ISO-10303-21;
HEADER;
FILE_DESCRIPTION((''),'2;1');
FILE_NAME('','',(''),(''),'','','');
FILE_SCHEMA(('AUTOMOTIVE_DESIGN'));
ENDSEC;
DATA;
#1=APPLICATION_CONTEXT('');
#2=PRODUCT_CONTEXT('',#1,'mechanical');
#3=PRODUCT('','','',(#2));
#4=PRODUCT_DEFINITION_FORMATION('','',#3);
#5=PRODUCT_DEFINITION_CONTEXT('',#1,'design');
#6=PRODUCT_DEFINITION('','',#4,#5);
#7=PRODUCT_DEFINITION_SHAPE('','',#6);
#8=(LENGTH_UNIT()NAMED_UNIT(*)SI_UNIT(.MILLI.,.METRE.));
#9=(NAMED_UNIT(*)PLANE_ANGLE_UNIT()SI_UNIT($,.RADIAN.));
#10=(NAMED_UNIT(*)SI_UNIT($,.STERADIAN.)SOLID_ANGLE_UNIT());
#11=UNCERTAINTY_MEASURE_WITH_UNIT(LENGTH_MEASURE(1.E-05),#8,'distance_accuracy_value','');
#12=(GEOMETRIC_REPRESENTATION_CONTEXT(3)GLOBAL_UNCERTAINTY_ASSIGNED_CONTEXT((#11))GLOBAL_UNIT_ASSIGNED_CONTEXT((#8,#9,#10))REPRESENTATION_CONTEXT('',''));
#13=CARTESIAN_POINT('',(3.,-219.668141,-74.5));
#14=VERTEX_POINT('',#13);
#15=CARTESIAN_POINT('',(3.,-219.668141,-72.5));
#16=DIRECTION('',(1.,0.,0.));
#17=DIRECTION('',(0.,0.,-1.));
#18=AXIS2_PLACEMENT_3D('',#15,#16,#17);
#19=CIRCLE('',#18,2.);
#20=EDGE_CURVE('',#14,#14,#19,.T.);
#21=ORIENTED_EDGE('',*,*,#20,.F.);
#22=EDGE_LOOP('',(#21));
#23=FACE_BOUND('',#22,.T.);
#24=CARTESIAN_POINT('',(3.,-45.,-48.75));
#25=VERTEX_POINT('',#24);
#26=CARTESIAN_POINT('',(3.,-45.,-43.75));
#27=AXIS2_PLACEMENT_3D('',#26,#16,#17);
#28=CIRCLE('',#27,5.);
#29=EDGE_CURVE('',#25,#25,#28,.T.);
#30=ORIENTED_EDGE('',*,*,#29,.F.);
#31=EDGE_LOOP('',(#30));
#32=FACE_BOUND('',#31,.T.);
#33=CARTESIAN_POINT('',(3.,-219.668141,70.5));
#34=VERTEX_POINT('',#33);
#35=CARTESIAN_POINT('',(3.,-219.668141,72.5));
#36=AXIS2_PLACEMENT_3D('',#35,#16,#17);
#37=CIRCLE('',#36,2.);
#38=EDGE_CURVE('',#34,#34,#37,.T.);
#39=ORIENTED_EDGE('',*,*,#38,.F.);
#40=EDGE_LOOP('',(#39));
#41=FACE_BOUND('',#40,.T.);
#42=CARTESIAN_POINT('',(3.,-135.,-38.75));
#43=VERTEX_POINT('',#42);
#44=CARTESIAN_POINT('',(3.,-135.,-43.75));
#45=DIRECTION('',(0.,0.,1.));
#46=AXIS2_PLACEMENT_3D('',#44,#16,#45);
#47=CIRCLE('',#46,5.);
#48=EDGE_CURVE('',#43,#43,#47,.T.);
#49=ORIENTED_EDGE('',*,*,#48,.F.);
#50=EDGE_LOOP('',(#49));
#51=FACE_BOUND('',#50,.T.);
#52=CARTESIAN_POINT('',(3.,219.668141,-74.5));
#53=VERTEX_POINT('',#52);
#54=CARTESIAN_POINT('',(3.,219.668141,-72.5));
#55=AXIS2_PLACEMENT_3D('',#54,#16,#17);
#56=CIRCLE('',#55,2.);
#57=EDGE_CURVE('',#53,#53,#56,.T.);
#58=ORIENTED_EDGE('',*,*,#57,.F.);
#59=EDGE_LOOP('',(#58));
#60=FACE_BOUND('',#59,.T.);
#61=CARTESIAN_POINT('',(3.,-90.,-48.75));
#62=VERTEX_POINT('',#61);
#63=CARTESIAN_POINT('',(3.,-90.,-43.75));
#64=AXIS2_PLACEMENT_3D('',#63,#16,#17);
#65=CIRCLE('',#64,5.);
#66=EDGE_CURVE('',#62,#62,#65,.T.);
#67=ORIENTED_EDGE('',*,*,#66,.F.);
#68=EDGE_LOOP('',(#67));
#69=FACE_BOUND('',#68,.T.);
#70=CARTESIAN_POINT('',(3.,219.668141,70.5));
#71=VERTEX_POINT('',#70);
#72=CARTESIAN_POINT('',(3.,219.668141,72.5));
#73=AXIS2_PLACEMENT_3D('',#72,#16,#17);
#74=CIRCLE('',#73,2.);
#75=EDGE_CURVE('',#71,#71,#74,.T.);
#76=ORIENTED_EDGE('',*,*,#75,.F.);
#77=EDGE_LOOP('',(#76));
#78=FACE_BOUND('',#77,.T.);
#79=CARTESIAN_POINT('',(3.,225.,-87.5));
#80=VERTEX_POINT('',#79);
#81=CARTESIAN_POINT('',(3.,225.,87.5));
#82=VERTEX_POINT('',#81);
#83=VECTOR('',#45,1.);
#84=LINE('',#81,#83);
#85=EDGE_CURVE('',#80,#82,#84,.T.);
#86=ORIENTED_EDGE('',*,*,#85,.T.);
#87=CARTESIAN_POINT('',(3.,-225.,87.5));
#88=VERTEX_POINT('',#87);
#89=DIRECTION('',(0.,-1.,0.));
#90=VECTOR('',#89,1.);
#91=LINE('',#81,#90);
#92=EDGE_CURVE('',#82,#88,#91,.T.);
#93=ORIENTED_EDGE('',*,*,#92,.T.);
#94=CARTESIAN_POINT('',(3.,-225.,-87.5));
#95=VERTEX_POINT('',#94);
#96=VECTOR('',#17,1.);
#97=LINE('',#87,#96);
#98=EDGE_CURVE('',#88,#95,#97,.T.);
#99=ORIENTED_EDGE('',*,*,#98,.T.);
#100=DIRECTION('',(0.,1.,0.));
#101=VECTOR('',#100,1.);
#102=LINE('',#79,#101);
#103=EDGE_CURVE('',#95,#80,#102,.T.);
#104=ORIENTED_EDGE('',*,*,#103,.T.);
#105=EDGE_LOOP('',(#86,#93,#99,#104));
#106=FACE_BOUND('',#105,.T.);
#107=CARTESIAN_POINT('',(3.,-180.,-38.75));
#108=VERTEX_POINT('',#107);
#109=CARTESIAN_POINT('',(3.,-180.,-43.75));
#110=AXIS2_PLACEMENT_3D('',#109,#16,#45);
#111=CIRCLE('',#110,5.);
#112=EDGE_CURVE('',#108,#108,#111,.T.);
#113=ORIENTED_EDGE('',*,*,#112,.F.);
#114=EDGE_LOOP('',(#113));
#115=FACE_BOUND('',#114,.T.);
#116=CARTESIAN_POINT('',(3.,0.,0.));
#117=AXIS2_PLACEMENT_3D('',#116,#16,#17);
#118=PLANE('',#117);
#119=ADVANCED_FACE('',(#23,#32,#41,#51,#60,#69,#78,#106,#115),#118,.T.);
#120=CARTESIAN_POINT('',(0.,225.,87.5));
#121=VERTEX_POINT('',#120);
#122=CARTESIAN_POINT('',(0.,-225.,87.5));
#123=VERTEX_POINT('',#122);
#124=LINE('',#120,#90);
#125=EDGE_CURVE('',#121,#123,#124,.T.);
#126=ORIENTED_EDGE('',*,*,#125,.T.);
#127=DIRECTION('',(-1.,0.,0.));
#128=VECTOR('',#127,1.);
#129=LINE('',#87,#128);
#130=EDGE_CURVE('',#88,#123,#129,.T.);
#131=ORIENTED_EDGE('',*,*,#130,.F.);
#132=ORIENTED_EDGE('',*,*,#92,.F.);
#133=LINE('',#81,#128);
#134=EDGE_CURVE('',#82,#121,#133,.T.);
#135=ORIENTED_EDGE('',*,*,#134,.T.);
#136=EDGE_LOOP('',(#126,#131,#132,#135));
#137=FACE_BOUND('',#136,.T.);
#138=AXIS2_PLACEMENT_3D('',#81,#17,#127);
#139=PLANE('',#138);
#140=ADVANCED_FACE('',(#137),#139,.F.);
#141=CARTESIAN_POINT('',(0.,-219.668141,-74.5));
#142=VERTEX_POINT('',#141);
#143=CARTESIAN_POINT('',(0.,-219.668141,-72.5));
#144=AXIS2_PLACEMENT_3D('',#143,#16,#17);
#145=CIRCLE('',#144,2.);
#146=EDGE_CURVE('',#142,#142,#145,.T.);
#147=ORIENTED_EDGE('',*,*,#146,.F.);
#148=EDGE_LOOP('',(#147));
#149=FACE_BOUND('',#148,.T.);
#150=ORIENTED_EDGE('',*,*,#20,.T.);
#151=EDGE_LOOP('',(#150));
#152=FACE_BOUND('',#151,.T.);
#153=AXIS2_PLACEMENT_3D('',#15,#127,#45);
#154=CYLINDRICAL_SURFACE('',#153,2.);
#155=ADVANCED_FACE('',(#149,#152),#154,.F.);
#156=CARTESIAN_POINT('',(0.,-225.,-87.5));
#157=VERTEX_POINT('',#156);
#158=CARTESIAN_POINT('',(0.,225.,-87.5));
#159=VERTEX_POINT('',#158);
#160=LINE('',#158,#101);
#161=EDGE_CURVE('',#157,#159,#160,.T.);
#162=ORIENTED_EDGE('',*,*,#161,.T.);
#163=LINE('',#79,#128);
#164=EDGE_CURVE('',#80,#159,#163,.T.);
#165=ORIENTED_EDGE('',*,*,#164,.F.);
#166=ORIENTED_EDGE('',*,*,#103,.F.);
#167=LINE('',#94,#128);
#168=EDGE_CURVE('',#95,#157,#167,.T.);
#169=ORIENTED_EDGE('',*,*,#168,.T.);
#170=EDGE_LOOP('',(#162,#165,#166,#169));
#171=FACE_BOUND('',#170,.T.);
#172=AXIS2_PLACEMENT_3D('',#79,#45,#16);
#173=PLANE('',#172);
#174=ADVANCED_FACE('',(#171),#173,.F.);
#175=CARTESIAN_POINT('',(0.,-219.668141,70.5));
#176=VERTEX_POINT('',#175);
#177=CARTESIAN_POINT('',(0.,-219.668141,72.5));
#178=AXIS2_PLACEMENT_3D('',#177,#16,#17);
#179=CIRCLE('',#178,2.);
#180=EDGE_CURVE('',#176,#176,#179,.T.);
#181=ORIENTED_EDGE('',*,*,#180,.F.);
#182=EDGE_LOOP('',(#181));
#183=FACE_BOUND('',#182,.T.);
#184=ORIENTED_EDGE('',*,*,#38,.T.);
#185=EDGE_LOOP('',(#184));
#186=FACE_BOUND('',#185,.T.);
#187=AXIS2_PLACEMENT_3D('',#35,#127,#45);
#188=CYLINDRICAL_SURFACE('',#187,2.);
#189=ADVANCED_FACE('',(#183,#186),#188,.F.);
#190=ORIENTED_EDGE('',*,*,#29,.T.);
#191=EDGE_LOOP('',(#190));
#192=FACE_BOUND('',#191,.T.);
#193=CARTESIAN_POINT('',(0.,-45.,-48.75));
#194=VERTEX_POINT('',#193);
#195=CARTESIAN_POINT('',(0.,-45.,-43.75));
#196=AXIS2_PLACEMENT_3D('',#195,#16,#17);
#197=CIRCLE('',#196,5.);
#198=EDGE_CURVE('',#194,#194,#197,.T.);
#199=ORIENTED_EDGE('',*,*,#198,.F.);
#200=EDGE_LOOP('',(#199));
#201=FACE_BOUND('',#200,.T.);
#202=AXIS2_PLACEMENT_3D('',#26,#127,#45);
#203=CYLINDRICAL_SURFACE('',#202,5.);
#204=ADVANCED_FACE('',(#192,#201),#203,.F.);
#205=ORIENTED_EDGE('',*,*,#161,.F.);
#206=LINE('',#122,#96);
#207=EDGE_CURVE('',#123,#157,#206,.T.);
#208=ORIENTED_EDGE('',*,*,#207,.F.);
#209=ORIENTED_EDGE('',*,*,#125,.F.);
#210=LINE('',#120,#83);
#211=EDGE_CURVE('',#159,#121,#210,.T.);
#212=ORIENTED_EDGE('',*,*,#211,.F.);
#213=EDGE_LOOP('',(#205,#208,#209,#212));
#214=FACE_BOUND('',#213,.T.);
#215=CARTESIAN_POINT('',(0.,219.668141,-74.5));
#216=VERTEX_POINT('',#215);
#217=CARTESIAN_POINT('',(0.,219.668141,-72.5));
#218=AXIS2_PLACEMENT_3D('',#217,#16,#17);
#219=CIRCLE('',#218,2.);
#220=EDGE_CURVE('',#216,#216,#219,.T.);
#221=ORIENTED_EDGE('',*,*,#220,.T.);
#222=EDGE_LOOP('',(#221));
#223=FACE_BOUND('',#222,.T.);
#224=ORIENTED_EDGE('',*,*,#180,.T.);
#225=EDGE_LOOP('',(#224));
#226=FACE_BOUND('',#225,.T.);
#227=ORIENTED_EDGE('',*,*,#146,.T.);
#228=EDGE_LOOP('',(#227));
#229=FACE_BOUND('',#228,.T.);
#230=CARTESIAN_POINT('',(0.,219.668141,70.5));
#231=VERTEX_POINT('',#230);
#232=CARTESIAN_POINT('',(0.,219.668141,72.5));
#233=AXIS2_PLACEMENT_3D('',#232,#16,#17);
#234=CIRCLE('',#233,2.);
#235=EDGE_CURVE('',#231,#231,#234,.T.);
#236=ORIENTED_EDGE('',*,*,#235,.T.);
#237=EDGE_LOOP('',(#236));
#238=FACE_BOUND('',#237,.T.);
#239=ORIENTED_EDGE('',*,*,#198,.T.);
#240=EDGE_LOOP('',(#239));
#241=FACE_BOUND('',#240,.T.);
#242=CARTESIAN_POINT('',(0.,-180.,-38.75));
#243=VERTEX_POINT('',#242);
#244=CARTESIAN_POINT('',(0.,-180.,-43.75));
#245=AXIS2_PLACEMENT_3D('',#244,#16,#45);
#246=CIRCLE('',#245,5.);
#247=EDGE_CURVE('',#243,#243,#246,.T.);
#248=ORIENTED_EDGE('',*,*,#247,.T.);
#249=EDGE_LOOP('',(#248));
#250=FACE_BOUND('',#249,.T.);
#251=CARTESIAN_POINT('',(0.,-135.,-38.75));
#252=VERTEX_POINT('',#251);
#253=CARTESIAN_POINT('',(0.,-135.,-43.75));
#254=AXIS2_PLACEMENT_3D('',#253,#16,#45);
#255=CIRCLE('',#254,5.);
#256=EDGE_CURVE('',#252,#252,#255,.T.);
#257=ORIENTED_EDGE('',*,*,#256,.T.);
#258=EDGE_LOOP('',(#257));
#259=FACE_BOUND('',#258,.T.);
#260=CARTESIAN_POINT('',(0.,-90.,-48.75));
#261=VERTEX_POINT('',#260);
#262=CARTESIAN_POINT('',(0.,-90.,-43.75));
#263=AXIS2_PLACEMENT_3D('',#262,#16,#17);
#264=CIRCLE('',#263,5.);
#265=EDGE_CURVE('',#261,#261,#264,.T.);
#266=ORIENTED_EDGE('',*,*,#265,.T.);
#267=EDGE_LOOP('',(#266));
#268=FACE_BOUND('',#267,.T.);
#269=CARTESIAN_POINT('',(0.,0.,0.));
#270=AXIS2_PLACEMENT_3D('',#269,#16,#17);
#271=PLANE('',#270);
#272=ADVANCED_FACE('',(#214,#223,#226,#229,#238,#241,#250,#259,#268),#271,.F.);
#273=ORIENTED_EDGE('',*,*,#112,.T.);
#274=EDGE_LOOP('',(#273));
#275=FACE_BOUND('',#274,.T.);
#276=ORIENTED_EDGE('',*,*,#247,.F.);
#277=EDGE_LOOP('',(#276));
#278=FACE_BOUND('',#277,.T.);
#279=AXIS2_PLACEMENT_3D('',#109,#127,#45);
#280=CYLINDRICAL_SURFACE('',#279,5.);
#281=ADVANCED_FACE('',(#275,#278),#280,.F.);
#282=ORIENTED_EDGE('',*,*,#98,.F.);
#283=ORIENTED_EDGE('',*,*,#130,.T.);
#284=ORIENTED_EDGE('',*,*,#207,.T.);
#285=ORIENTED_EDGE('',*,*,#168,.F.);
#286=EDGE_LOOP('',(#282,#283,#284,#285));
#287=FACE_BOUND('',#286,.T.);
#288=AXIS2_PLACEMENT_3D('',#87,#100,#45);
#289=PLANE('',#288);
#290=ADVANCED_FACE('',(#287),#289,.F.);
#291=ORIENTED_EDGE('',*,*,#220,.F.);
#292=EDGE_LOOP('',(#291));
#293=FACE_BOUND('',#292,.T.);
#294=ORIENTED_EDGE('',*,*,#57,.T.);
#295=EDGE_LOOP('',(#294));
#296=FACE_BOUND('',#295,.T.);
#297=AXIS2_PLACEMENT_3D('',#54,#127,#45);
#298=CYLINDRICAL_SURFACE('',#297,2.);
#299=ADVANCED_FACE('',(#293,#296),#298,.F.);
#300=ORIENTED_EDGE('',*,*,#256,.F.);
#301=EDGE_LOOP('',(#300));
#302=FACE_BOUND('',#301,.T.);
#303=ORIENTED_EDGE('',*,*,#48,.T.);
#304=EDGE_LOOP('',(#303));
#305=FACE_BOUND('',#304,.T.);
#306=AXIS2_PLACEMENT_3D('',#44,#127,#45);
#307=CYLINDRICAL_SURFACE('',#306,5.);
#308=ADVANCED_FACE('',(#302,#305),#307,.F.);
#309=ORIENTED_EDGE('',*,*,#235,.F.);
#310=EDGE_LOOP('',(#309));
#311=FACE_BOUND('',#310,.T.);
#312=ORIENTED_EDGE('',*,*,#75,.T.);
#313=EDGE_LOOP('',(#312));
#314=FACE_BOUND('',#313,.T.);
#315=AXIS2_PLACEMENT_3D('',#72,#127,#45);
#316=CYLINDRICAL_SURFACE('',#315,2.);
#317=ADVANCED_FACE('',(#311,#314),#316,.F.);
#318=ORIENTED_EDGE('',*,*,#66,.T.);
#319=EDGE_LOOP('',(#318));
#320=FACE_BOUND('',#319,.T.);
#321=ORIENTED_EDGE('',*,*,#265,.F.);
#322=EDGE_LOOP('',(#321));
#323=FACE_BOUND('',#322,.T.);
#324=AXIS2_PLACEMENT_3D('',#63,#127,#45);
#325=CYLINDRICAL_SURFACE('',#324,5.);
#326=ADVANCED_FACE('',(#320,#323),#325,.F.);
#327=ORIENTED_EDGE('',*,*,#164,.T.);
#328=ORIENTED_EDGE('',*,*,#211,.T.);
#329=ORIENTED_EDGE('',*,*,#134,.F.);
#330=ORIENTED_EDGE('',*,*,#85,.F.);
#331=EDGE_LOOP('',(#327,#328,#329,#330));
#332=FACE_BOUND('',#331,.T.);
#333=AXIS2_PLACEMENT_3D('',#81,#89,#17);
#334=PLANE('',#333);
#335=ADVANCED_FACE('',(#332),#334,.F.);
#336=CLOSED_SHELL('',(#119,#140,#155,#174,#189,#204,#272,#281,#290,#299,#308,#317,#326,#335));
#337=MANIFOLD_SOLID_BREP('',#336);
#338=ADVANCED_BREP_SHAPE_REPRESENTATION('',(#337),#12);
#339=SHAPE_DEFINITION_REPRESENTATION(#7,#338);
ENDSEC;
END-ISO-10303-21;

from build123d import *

# Parameters (mm, degrees)
SKETCH1_W           = 175
SKETCH1_H           = 450
SKETCH1_R           = 2
BOSS_EXTRUDE1_DEPTH = 3
SKETCH2_R           = 5
RCA_HOLES_DEPTH     = 242.433738322


with BuildPart() as part:
    # Sketch1 → Boss-Extrude1 (new body)
    with BuildSketch(Plane(origin=(0, 0, 0), x_dir=(0, 0, -1), z_dir=(1, 0, 0))):
        Rectangle(SKETCH1_W, SKETCH1_H)
        with Locations((-72.5, 219.66814109)):
            Circle(SKETCH1_R, mode=Mode.SUBTRACT)
        with Locations((72.5, 219.66814109)):
            Circle(SKETCH1_R, mode=Mode.SUBTRACT)
        with Locations((72.5, -219.66814109)):
            Circle(SKETCH1_R, mode=Mode.SUBTRACT)
        with Locations((-72.5, -219.66814109)):
            Circle(SKETCH1_R, mode=Mode.SUBTRACT)
    extrude(amount=BOSS_EXTRUDE1_DEPTH)

    # Sketch2 → RCA_Holes (cut, through all)
    with BuildSketch(Plane(origin=(0, 0, 0), x_dir=(0, 0, -1), z_dir=(1, 0, 0))):
        with Locations((43.75, -90)):
            Circle(SKETCH2_R)
        with Locations((43.75, -45)):
            Circle(SKETCH2_R)
        with Locations(Location((43.75, -135, 0), (0, 0, 180))):
            Circle(SKETCH2_R)
        with Locations(Location((43.75, -180, 0), (0, 0, 180))):
            Circle(SKETCH2_R)
    extrude(amount=RCA_HOLES_DEPTH, mode=Mode.SUBTRACT)


solid = part.part
